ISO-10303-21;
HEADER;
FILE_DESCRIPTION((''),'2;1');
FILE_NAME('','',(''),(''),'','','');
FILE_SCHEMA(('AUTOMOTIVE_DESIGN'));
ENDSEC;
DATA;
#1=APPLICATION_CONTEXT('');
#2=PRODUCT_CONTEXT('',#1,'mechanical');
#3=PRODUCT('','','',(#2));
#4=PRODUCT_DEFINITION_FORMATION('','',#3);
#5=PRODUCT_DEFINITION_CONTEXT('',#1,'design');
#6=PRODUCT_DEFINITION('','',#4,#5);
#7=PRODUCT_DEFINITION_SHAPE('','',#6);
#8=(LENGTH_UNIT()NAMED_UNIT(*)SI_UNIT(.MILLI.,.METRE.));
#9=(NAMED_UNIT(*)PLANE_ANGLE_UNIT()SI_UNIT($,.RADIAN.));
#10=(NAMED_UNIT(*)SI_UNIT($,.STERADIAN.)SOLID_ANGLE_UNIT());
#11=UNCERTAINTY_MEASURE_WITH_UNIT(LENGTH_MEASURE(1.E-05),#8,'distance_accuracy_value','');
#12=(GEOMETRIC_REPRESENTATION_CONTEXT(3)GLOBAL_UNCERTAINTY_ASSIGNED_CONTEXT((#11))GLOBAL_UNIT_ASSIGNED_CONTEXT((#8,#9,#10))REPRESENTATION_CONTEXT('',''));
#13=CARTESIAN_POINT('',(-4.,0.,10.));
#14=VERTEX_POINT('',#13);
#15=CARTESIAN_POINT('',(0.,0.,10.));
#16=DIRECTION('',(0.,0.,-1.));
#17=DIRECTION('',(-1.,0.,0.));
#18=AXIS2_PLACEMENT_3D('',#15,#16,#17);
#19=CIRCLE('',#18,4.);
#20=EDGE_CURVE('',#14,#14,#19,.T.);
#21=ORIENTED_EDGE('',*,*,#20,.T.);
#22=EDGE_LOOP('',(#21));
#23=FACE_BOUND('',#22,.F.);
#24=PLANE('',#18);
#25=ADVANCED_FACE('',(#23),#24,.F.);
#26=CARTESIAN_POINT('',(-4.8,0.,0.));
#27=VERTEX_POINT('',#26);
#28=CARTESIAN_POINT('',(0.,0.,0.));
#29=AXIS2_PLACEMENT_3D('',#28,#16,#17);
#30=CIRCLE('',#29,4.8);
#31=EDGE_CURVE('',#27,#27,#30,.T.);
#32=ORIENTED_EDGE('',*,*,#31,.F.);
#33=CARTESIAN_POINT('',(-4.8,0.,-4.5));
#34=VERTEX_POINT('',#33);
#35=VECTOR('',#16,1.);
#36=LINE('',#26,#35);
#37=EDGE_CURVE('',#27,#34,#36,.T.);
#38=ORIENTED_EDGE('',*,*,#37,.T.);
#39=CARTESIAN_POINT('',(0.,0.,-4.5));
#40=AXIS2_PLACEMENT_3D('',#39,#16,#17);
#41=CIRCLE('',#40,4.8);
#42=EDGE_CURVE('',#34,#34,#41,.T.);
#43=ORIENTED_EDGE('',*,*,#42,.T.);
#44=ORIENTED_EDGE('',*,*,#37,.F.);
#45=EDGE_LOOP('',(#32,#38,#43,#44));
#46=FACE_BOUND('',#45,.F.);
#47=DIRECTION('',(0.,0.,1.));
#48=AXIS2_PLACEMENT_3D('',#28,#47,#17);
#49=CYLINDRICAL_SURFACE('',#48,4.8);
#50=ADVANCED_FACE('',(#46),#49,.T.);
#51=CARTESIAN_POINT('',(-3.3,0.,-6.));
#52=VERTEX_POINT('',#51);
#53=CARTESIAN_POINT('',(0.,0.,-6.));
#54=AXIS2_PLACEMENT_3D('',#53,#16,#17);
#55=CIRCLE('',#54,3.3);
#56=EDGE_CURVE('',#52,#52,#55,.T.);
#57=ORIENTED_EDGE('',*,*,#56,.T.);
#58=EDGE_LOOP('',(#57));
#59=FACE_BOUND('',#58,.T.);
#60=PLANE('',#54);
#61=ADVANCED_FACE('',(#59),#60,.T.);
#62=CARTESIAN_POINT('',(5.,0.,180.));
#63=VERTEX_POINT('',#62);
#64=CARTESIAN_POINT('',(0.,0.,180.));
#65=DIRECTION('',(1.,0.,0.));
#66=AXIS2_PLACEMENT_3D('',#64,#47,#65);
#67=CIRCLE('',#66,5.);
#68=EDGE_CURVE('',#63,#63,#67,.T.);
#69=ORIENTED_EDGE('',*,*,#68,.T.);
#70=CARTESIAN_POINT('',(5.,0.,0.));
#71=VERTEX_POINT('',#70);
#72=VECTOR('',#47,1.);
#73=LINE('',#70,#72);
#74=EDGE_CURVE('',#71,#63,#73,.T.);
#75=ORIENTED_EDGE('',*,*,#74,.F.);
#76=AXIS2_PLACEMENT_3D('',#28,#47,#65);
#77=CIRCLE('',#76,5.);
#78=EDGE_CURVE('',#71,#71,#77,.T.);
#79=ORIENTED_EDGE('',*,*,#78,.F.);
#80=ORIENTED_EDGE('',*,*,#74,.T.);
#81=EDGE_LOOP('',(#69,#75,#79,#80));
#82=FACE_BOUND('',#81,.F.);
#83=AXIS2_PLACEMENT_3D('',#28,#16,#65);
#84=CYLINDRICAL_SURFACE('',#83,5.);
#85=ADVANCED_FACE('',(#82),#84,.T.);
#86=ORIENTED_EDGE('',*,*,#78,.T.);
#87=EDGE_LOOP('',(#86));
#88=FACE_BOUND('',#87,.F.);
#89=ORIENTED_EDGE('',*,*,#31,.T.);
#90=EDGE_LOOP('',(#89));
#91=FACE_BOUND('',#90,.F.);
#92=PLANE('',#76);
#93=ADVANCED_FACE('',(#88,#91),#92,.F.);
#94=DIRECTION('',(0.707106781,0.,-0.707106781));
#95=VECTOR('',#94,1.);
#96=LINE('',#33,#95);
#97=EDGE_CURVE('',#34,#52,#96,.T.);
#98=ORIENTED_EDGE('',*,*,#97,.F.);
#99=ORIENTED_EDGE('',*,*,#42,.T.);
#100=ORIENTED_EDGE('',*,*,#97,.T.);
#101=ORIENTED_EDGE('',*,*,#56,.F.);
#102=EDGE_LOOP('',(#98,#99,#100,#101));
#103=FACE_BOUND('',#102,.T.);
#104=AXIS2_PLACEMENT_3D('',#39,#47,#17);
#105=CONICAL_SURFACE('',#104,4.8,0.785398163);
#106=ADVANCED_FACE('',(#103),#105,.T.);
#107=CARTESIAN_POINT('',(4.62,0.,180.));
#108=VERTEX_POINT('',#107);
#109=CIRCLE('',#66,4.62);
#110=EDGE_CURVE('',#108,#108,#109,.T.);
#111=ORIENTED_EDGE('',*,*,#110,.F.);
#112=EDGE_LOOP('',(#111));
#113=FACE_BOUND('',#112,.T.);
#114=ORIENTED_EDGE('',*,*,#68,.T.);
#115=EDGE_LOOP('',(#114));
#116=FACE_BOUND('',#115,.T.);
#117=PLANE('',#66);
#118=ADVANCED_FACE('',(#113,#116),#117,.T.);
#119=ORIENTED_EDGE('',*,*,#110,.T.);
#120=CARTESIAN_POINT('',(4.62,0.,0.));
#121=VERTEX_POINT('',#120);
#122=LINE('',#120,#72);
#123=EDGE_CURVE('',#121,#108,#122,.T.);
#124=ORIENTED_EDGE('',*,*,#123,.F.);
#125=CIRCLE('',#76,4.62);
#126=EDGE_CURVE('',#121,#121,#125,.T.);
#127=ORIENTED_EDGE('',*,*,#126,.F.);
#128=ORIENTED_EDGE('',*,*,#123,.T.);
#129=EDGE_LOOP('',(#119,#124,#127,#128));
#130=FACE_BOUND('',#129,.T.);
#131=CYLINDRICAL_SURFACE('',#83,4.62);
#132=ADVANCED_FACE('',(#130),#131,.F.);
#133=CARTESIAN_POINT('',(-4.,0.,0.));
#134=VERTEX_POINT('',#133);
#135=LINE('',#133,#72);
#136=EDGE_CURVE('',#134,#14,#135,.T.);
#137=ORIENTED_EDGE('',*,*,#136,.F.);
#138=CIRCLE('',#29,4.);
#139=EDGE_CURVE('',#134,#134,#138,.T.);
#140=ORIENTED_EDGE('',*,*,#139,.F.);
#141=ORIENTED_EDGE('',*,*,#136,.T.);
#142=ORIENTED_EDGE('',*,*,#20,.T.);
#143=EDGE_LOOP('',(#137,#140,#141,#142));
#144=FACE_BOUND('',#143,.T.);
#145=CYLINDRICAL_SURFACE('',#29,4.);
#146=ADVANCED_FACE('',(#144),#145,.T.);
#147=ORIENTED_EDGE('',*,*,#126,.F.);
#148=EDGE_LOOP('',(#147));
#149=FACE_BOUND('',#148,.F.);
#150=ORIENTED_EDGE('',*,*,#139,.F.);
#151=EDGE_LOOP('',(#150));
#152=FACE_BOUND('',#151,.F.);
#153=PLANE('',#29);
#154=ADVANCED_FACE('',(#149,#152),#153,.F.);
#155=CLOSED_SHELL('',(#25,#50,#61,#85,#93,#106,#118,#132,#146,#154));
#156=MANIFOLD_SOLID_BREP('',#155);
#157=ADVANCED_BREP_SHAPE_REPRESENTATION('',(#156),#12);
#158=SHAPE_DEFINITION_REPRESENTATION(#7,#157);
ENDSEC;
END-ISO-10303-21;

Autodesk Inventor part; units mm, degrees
ref_plane "YZ Plane" through (0, 0, 0) normal (1, 0, 0) x (0, 1, 0)
ref_plane "XZ Plane" through (0, 0, 0) normal (0, 1, 0) x (-1, 0, 0)
ref_plane "XY Plane" through (0, 0, 0) normal (0, 0, 1) x (1, 0, 0)
sketch "Sketch1" plane through (0, 0, 0) normal (0, 0, 1) x (1, 0, 0)
  circle A0 centre (0, 0) radius 4.62
  circle A1 centre (0, 0) radius 5
  dimension "d0" = 9.24
  dimension "d1" = 10
extrude "Extrusion1" add sketch "Sketch1" along normal blind 180
sketch "Sketch7" plane through (0, 0, 0) normal (0, 0, -1) x (-1, 0, 0)
  circle A0 centre (0, 0) radius 4
extrude "Extrusion6" add sketch "Sketch7" against normal blind 10
sketch "Sketch8" plane through (0, 0, 0) normal (0, 0, -1) x (-1, 0, 0)
  circle A0 centre (0, 0) radius 4.8
  dimension "d23" = 9.6
extrude "Extrusion7" add sketch "Sketch8" along normal blind 6
chamfer "Chamfer1" distance 1.5 angle 45 1 edges at (4.8, 0, -6)
properties part number "Acrylic 8 ID, 10 OD" material "Glass"
